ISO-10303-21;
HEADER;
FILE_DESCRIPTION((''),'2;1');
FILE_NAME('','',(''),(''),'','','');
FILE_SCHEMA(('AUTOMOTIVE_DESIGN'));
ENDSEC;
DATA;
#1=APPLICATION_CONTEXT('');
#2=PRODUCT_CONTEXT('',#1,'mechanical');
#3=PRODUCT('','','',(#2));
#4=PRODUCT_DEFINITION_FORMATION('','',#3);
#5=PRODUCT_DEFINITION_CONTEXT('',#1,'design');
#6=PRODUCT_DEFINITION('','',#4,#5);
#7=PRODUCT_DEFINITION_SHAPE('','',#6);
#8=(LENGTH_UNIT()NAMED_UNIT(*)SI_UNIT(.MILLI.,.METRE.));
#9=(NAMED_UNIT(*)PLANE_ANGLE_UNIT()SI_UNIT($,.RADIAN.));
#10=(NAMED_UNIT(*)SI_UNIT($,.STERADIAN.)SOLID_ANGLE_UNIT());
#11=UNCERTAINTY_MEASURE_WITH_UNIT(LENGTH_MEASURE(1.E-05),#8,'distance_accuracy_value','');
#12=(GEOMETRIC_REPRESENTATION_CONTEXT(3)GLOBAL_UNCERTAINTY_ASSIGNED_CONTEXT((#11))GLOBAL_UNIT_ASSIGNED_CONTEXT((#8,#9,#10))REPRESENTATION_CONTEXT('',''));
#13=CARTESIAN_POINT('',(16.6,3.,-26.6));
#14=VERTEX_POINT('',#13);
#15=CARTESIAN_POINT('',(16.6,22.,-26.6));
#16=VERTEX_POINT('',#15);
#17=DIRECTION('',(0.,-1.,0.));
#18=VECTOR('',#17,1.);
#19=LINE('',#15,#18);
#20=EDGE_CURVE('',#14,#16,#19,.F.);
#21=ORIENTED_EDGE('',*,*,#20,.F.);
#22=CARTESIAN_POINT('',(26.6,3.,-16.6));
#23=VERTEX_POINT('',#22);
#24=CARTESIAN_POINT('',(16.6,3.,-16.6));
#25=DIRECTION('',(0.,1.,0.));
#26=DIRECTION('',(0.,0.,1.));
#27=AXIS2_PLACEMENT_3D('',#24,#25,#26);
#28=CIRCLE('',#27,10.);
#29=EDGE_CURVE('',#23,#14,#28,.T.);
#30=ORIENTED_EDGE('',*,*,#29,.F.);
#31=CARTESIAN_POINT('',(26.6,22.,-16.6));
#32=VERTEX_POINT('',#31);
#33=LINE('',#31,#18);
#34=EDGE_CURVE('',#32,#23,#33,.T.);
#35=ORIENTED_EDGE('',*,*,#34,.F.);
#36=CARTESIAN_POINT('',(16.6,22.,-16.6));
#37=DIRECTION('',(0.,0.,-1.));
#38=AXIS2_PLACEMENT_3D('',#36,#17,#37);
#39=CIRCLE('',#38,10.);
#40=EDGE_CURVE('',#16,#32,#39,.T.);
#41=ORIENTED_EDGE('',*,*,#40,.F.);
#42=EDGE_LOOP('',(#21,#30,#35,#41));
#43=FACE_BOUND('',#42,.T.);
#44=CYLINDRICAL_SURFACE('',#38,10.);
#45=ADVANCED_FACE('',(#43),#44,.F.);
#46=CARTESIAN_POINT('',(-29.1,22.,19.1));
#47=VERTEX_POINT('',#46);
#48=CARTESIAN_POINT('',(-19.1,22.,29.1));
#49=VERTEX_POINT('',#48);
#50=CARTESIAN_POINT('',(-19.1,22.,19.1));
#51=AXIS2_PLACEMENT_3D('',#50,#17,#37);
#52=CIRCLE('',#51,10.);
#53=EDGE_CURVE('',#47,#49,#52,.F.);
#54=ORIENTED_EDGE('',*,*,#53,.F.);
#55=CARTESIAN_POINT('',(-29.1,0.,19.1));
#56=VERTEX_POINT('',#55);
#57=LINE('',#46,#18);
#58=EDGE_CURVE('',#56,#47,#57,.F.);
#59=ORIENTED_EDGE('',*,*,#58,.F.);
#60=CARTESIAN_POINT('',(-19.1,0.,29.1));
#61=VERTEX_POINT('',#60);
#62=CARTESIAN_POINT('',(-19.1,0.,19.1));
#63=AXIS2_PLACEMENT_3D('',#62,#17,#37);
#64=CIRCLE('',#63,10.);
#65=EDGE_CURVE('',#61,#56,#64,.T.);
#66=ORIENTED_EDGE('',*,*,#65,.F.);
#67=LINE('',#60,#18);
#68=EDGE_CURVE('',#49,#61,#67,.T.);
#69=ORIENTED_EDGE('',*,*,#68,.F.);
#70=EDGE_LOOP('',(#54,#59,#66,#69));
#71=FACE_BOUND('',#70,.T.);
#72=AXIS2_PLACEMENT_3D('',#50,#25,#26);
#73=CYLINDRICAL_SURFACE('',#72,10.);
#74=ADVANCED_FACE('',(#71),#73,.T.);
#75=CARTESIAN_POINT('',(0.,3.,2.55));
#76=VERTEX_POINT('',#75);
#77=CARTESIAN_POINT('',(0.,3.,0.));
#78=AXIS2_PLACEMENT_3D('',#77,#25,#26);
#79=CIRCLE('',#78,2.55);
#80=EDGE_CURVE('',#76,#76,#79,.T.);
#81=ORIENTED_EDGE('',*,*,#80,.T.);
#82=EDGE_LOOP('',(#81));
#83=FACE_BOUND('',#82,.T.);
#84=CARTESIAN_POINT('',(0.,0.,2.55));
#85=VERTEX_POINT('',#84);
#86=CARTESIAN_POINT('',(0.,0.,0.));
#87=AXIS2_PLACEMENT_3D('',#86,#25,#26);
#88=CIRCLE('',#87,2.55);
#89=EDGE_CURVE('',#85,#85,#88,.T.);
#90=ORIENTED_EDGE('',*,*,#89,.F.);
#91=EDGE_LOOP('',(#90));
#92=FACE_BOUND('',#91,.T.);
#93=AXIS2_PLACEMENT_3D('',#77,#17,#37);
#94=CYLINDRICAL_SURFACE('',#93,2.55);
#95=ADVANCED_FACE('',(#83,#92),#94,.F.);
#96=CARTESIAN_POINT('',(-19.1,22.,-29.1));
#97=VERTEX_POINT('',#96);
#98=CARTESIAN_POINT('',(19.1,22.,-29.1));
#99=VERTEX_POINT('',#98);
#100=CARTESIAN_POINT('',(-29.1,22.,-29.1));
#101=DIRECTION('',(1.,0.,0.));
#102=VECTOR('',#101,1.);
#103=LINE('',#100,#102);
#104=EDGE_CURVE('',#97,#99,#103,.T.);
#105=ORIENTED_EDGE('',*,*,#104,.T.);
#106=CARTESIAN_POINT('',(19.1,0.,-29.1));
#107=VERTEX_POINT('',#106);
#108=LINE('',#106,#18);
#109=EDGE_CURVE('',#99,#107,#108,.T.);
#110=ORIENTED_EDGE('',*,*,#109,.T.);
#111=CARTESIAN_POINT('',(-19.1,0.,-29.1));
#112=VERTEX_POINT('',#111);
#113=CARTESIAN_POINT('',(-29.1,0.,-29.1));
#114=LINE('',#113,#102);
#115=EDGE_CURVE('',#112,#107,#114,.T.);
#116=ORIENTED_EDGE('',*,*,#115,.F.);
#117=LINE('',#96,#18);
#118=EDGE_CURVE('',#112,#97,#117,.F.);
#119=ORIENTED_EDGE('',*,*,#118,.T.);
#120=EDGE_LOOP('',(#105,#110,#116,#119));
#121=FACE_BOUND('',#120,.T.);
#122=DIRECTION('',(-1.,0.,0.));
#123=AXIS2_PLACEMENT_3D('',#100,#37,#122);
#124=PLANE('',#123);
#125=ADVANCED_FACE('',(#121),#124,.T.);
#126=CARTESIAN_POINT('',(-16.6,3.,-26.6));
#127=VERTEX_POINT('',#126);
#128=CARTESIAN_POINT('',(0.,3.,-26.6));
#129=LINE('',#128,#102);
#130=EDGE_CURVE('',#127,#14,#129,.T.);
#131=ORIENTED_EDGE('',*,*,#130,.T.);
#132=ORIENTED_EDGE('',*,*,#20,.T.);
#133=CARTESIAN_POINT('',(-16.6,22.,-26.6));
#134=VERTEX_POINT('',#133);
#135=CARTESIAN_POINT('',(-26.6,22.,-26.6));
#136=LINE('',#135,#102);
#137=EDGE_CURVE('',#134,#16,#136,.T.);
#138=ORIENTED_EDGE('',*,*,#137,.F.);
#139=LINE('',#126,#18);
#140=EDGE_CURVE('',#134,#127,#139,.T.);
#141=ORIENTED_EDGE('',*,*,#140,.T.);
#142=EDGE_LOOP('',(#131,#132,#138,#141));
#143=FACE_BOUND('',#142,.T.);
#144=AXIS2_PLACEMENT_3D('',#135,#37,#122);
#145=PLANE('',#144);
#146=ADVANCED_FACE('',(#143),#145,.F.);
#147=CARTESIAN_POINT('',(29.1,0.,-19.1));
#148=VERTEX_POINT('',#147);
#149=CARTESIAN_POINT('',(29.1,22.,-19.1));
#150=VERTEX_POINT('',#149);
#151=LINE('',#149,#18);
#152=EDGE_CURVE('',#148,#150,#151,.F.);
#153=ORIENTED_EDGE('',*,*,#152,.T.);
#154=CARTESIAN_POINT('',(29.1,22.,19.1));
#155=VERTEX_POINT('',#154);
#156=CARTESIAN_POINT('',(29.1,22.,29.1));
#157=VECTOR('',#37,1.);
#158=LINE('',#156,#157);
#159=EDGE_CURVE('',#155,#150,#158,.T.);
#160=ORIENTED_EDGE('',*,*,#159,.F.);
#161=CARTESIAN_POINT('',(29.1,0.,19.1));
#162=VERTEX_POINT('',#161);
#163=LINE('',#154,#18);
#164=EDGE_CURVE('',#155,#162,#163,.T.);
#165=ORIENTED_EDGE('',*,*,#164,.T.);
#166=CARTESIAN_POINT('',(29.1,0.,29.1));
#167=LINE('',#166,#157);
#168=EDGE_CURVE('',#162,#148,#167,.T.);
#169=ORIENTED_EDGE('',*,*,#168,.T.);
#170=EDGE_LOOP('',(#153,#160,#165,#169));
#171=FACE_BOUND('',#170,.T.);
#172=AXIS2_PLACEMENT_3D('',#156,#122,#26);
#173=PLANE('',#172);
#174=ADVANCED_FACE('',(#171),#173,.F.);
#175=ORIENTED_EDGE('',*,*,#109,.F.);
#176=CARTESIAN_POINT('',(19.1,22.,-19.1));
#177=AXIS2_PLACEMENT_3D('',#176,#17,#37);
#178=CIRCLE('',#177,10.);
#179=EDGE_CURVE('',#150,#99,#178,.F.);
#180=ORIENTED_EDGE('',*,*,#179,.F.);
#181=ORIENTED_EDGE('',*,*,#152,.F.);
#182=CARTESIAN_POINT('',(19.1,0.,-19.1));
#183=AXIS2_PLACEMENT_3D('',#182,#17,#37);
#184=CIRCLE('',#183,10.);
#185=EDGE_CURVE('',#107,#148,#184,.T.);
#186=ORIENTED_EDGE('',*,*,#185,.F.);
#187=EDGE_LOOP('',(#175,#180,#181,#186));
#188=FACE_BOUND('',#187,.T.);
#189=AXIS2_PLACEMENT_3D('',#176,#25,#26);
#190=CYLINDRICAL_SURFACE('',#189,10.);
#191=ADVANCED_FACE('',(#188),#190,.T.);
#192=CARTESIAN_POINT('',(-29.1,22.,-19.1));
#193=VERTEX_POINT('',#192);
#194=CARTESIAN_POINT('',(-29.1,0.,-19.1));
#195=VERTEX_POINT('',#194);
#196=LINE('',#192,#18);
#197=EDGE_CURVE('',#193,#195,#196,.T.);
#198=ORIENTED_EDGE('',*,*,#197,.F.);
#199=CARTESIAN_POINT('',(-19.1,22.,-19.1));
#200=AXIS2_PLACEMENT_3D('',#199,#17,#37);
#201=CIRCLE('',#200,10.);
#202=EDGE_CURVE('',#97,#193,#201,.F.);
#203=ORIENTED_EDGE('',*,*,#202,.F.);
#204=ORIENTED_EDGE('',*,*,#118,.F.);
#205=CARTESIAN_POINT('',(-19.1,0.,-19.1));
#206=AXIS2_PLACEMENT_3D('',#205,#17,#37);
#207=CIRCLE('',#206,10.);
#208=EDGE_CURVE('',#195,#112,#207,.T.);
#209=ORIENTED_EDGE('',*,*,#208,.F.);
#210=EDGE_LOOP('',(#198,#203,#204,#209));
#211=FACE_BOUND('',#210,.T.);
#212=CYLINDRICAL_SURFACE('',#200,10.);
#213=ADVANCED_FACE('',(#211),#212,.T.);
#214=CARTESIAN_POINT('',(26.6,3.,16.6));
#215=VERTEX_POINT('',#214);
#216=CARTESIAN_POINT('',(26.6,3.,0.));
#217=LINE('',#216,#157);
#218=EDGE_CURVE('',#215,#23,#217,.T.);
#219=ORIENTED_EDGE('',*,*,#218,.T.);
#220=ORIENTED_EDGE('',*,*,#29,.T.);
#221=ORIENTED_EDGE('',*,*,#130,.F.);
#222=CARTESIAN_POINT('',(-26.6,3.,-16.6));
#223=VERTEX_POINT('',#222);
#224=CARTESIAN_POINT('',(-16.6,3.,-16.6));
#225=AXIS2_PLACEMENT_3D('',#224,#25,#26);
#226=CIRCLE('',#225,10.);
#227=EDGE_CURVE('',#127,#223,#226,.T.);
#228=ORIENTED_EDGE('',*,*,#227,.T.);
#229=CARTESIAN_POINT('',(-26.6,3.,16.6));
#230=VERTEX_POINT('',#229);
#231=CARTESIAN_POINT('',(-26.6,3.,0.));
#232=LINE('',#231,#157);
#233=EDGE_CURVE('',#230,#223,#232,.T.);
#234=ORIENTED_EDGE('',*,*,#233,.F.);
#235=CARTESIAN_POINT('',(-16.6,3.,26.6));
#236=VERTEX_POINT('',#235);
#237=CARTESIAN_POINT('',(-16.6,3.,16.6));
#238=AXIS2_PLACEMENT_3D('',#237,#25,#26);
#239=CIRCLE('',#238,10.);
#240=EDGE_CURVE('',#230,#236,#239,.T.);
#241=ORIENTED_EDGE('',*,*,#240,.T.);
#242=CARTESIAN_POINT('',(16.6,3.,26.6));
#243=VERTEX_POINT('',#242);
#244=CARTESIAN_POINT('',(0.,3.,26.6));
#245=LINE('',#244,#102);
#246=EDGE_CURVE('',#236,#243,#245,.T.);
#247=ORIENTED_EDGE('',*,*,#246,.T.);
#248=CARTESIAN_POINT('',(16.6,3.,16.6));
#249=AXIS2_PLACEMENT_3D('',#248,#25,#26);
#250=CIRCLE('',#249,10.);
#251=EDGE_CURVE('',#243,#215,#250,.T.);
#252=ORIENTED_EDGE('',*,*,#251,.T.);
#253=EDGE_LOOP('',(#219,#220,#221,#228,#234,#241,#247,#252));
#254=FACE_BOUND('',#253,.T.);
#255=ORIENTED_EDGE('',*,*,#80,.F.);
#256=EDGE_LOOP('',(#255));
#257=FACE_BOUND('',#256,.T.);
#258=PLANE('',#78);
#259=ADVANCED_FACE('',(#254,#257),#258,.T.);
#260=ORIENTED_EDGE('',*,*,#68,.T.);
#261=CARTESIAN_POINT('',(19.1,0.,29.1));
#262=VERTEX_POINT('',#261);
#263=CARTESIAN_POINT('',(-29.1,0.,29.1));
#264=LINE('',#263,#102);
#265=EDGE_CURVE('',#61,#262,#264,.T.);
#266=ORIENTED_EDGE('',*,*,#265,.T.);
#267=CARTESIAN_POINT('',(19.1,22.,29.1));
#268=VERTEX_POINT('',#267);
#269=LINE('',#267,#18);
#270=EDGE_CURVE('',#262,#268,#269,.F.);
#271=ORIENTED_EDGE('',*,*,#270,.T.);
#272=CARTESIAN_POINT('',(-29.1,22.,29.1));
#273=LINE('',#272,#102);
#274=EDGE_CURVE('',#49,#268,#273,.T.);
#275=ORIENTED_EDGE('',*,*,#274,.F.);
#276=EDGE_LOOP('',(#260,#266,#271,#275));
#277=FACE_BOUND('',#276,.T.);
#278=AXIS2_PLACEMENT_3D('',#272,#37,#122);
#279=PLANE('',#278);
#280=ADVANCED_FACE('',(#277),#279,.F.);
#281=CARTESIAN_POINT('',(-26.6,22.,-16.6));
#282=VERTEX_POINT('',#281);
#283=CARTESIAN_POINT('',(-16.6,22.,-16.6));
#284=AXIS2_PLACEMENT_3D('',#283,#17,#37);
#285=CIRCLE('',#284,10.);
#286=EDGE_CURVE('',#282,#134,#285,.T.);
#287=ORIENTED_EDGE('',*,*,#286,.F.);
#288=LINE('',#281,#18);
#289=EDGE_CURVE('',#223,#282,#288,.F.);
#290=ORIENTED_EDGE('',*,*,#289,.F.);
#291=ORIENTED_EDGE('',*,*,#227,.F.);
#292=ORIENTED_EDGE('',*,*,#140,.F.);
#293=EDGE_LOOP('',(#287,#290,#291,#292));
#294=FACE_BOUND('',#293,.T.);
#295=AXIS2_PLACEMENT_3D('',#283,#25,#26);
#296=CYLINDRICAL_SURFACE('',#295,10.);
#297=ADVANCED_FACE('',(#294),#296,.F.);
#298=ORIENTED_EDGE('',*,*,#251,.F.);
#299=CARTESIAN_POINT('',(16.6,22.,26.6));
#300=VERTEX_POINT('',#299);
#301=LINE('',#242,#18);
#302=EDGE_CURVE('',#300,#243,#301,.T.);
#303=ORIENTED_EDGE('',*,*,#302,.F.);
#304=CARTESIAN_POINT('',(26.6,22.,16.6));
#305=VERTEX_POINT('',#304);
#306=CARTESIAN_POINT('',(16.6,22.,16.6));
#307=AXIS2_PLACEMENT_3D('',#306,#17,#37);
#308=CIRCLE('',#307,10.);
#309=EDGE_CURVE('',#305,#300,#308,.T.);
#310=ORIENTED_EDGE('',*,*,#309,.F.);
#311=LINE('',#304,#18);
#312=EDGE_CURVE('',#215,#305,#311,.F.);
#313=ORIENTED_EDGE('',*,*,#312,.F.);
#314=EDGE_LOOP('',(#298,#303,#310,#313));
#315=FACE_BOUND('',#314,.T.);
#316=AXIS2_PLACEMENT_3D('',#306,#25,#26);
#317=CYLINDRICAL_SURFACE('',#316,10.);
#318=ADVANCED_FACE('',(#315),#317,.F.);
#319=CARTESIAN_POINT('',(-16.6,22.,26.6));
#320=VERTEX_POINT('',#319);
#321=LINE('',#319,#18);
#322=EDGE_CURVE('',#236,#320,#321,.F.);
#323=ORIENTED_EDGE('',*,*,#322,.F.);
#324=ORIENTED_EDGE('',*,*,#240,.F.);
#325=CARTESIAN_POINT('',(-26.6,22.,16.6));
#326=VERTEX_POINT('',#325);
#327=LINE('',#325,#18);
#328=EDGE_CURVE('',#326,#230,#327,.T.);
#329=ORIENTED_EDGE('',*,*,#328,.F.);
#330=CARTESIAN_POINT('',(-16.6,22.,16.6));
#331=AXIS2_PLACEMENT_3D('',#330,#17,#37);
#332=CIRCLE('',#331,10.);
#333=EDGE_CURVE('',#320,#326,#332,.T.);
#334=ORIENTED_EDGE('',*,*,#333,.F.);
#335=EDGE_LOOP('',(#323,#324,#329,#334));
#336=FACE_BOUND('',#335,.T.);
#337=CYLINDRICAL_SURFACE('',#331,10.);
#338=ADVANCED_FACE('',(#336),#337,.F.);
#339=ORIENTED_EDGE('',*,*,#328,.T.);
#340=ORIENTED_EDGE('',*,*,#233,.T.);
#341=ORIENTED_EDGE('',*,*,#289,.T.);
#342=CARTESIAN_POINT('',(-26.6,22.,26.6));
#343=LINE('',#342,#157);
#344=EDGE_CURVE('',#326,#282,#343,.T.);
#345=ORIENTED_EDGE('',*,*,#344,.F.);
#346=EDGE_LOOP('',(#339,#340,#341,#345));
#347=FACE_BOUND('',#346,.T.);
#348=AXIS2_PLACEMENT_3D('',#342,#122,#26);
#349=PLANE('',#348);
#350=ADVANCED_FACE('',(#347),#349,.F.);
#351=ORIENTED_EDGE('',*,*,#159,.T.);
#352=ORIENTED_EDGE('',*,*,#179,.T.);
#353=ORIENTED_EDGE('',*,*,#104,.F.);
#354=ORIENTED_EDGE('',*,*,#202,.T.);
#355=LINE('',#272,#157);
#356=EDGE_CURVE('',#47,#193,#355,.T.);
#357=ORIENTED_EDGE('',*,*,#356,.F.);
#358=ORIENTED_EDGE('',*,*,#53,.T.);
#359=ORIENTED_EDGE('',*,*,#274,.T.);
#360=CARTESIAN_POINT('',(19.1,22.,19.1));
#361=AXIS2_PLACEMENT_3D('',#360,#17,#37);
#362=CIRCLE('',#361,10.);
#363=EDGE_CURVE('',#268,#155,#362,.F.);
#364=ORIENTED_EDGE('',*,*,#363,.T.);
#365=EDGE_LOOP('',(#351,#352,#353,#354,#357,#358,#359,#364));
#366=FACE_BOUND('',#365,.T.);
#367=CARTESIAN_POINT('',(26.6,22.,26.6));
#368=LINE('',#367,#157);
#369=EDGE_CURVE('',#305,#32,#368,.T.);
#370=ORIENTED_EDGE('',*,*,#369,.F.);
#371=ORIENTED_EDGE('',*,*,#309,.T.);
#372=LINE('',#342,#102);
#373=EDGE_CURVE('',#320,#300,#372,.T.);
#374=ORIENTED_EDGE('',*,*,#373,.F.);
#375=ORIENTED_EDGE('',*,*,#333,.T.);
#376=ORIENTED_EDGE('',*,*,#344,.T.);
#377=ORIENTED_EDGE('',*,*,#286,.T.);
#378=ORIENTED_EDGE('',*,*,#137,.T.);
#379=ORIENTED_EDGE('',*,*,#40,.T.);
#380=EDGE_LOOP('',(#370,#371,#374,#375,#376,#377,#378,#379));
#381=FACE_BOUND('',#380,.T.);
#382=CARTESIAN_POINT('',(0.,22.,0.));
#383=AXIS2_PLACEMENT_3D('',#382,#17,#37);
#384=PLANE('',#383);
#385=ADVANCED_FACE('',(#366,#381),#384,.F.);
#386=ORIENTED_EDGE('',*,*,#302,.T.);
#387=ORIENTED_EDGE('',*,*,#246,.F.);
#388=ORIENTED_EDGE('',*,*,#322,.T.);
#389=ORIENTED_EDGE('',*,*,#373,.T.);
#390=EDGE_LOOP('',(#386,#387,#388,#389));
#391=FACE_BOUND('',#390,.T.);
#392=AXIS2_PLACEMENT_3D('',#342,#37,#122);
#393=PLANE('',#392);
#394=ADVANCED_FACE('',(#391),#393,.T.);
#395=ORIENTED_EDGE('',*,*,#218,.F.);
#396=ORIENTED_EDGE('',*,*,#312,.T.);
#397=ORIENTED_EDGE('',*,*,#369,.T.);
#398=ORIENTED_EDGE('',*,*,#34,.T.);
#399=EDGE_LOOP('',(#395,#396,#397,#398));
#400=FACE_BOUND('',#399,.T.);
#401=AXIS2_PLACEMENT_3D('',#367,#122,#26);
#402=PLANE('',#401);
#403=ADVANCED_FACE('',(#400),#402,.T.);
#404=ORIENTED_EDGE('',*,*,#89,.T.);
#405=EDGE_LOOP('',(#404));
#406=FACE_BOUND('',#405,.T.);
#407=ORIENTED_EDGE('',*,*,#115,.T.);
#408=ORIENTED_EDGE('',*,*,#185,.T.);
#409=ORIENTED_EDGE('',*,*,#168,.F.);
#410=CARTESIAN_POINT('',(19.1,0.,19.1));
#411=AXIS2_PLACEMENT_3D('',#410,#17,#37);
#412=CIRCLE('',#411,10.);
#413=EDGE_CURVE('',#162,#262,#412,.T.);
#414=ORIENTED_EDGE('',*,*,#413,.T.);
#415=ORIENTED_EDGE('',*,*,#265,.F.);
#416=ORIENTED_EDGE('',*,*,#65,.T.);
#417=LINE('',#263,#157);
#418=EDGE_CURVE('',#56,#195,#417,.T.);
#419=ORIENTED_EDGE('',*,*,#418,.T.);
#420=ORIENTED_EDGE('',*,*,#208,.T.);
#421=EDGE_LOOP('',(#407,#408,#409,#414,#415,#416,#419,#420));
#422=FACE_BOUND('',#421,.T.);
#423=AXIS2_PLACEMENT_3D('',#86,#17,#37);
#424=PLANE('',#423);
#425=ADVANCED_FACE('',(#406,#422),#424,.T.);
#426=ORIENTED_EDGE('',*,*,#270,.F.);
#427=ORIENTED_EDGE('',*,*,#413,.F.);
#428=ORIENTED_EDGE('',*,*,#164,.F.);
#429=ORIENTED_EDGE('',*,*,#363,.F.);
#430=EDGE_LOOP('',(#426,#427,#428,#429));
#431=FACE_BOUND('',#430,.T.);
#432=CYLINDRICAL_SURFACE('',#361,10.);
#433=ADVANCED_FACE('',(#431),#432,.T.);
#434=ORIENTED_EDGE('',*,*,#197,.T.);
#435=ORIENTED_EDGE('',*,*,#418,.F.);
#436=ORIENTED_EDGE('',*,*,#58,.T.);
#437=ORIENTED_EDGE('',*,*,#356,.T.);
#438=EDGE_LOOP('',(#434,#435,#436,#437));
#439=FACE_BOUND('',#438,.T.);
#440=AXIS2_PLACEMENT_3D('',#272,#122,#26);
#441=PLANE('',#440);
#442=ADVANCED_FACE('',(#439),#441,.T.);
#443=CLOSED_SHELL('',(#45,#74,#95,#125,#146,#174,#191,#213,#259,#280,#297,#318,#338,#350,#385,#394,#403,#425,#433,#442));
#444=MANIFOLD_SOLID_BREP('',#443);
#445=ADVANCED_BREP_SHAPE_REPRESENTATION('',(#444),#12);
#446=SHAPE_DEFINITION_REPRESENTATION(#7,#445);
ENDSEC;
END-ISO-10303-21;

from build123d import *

# Parameters (mm, degrees)
SKETCH_1_W      = 58.2
SKETCH_1_H      = 58.2
SKETCH_1_W_2    = 53.2
SKETCH_1_H_2    = 53.2
EXTRUDE_1_DEPTH = 22
SKETCH_1_3_W    = 53.2
SKETCH_1_3_H    = 53.2
SKETCH_1_3_R    = 2.55
EXTRUDE_2_DEPTH = 3
FILLET_1_R      = 10


with BuildPart() as part:
    # 草图1 → 凸台-拉伸1 (new body)
    with BuildSketch(Plane(origin=(0, 0, 0), x_dir=(1, 0, 0), z_dir=(0, 1, 0))):
        Rectangle(SKETCH_1_W, SKETCH_1_H)
        Rectangle(SKETCH_1_W_2, SKETCH_1_H_2, mode=Mode.SUBTRACT)
    extrude(amount=EXTRUDE_1_DEPTH)

    # 草图1<3> → 凸台-拉伸2 (add)
    with BuildSketch(Plane(origin=(0, 0, 0), x_dir=(1, 0, 0), z_dir=(0, 1, 0))):
        Rectangle(SKETCH_1_3_W, SKETCH_1_3_H)
        Circle(SKETCH_1_3_R, mode=Mode.SUBTRACT)
    extrude(amount=EXTRUDE_2_DEPTH)

    # 圆角1
    fillet_1_edges = [part.edges().sort_by_distance(p)[0] for p in [
        (29.1, 11, 29.1),
        (26.6, 12.5, 26.6),
        (-26.6, 12.5, 26.6),
        (26.6, 12.5, -26.6),
        (-26.6, 12.5, -26.6),
        (29.1, 11, -29.1),
        (-29.1, 11, -29.1),
        (-29.1, 11, 29.1),
    ]]
    fillet(fillet_1_edges, radius=FILLET_1_R)


solid = part.part
